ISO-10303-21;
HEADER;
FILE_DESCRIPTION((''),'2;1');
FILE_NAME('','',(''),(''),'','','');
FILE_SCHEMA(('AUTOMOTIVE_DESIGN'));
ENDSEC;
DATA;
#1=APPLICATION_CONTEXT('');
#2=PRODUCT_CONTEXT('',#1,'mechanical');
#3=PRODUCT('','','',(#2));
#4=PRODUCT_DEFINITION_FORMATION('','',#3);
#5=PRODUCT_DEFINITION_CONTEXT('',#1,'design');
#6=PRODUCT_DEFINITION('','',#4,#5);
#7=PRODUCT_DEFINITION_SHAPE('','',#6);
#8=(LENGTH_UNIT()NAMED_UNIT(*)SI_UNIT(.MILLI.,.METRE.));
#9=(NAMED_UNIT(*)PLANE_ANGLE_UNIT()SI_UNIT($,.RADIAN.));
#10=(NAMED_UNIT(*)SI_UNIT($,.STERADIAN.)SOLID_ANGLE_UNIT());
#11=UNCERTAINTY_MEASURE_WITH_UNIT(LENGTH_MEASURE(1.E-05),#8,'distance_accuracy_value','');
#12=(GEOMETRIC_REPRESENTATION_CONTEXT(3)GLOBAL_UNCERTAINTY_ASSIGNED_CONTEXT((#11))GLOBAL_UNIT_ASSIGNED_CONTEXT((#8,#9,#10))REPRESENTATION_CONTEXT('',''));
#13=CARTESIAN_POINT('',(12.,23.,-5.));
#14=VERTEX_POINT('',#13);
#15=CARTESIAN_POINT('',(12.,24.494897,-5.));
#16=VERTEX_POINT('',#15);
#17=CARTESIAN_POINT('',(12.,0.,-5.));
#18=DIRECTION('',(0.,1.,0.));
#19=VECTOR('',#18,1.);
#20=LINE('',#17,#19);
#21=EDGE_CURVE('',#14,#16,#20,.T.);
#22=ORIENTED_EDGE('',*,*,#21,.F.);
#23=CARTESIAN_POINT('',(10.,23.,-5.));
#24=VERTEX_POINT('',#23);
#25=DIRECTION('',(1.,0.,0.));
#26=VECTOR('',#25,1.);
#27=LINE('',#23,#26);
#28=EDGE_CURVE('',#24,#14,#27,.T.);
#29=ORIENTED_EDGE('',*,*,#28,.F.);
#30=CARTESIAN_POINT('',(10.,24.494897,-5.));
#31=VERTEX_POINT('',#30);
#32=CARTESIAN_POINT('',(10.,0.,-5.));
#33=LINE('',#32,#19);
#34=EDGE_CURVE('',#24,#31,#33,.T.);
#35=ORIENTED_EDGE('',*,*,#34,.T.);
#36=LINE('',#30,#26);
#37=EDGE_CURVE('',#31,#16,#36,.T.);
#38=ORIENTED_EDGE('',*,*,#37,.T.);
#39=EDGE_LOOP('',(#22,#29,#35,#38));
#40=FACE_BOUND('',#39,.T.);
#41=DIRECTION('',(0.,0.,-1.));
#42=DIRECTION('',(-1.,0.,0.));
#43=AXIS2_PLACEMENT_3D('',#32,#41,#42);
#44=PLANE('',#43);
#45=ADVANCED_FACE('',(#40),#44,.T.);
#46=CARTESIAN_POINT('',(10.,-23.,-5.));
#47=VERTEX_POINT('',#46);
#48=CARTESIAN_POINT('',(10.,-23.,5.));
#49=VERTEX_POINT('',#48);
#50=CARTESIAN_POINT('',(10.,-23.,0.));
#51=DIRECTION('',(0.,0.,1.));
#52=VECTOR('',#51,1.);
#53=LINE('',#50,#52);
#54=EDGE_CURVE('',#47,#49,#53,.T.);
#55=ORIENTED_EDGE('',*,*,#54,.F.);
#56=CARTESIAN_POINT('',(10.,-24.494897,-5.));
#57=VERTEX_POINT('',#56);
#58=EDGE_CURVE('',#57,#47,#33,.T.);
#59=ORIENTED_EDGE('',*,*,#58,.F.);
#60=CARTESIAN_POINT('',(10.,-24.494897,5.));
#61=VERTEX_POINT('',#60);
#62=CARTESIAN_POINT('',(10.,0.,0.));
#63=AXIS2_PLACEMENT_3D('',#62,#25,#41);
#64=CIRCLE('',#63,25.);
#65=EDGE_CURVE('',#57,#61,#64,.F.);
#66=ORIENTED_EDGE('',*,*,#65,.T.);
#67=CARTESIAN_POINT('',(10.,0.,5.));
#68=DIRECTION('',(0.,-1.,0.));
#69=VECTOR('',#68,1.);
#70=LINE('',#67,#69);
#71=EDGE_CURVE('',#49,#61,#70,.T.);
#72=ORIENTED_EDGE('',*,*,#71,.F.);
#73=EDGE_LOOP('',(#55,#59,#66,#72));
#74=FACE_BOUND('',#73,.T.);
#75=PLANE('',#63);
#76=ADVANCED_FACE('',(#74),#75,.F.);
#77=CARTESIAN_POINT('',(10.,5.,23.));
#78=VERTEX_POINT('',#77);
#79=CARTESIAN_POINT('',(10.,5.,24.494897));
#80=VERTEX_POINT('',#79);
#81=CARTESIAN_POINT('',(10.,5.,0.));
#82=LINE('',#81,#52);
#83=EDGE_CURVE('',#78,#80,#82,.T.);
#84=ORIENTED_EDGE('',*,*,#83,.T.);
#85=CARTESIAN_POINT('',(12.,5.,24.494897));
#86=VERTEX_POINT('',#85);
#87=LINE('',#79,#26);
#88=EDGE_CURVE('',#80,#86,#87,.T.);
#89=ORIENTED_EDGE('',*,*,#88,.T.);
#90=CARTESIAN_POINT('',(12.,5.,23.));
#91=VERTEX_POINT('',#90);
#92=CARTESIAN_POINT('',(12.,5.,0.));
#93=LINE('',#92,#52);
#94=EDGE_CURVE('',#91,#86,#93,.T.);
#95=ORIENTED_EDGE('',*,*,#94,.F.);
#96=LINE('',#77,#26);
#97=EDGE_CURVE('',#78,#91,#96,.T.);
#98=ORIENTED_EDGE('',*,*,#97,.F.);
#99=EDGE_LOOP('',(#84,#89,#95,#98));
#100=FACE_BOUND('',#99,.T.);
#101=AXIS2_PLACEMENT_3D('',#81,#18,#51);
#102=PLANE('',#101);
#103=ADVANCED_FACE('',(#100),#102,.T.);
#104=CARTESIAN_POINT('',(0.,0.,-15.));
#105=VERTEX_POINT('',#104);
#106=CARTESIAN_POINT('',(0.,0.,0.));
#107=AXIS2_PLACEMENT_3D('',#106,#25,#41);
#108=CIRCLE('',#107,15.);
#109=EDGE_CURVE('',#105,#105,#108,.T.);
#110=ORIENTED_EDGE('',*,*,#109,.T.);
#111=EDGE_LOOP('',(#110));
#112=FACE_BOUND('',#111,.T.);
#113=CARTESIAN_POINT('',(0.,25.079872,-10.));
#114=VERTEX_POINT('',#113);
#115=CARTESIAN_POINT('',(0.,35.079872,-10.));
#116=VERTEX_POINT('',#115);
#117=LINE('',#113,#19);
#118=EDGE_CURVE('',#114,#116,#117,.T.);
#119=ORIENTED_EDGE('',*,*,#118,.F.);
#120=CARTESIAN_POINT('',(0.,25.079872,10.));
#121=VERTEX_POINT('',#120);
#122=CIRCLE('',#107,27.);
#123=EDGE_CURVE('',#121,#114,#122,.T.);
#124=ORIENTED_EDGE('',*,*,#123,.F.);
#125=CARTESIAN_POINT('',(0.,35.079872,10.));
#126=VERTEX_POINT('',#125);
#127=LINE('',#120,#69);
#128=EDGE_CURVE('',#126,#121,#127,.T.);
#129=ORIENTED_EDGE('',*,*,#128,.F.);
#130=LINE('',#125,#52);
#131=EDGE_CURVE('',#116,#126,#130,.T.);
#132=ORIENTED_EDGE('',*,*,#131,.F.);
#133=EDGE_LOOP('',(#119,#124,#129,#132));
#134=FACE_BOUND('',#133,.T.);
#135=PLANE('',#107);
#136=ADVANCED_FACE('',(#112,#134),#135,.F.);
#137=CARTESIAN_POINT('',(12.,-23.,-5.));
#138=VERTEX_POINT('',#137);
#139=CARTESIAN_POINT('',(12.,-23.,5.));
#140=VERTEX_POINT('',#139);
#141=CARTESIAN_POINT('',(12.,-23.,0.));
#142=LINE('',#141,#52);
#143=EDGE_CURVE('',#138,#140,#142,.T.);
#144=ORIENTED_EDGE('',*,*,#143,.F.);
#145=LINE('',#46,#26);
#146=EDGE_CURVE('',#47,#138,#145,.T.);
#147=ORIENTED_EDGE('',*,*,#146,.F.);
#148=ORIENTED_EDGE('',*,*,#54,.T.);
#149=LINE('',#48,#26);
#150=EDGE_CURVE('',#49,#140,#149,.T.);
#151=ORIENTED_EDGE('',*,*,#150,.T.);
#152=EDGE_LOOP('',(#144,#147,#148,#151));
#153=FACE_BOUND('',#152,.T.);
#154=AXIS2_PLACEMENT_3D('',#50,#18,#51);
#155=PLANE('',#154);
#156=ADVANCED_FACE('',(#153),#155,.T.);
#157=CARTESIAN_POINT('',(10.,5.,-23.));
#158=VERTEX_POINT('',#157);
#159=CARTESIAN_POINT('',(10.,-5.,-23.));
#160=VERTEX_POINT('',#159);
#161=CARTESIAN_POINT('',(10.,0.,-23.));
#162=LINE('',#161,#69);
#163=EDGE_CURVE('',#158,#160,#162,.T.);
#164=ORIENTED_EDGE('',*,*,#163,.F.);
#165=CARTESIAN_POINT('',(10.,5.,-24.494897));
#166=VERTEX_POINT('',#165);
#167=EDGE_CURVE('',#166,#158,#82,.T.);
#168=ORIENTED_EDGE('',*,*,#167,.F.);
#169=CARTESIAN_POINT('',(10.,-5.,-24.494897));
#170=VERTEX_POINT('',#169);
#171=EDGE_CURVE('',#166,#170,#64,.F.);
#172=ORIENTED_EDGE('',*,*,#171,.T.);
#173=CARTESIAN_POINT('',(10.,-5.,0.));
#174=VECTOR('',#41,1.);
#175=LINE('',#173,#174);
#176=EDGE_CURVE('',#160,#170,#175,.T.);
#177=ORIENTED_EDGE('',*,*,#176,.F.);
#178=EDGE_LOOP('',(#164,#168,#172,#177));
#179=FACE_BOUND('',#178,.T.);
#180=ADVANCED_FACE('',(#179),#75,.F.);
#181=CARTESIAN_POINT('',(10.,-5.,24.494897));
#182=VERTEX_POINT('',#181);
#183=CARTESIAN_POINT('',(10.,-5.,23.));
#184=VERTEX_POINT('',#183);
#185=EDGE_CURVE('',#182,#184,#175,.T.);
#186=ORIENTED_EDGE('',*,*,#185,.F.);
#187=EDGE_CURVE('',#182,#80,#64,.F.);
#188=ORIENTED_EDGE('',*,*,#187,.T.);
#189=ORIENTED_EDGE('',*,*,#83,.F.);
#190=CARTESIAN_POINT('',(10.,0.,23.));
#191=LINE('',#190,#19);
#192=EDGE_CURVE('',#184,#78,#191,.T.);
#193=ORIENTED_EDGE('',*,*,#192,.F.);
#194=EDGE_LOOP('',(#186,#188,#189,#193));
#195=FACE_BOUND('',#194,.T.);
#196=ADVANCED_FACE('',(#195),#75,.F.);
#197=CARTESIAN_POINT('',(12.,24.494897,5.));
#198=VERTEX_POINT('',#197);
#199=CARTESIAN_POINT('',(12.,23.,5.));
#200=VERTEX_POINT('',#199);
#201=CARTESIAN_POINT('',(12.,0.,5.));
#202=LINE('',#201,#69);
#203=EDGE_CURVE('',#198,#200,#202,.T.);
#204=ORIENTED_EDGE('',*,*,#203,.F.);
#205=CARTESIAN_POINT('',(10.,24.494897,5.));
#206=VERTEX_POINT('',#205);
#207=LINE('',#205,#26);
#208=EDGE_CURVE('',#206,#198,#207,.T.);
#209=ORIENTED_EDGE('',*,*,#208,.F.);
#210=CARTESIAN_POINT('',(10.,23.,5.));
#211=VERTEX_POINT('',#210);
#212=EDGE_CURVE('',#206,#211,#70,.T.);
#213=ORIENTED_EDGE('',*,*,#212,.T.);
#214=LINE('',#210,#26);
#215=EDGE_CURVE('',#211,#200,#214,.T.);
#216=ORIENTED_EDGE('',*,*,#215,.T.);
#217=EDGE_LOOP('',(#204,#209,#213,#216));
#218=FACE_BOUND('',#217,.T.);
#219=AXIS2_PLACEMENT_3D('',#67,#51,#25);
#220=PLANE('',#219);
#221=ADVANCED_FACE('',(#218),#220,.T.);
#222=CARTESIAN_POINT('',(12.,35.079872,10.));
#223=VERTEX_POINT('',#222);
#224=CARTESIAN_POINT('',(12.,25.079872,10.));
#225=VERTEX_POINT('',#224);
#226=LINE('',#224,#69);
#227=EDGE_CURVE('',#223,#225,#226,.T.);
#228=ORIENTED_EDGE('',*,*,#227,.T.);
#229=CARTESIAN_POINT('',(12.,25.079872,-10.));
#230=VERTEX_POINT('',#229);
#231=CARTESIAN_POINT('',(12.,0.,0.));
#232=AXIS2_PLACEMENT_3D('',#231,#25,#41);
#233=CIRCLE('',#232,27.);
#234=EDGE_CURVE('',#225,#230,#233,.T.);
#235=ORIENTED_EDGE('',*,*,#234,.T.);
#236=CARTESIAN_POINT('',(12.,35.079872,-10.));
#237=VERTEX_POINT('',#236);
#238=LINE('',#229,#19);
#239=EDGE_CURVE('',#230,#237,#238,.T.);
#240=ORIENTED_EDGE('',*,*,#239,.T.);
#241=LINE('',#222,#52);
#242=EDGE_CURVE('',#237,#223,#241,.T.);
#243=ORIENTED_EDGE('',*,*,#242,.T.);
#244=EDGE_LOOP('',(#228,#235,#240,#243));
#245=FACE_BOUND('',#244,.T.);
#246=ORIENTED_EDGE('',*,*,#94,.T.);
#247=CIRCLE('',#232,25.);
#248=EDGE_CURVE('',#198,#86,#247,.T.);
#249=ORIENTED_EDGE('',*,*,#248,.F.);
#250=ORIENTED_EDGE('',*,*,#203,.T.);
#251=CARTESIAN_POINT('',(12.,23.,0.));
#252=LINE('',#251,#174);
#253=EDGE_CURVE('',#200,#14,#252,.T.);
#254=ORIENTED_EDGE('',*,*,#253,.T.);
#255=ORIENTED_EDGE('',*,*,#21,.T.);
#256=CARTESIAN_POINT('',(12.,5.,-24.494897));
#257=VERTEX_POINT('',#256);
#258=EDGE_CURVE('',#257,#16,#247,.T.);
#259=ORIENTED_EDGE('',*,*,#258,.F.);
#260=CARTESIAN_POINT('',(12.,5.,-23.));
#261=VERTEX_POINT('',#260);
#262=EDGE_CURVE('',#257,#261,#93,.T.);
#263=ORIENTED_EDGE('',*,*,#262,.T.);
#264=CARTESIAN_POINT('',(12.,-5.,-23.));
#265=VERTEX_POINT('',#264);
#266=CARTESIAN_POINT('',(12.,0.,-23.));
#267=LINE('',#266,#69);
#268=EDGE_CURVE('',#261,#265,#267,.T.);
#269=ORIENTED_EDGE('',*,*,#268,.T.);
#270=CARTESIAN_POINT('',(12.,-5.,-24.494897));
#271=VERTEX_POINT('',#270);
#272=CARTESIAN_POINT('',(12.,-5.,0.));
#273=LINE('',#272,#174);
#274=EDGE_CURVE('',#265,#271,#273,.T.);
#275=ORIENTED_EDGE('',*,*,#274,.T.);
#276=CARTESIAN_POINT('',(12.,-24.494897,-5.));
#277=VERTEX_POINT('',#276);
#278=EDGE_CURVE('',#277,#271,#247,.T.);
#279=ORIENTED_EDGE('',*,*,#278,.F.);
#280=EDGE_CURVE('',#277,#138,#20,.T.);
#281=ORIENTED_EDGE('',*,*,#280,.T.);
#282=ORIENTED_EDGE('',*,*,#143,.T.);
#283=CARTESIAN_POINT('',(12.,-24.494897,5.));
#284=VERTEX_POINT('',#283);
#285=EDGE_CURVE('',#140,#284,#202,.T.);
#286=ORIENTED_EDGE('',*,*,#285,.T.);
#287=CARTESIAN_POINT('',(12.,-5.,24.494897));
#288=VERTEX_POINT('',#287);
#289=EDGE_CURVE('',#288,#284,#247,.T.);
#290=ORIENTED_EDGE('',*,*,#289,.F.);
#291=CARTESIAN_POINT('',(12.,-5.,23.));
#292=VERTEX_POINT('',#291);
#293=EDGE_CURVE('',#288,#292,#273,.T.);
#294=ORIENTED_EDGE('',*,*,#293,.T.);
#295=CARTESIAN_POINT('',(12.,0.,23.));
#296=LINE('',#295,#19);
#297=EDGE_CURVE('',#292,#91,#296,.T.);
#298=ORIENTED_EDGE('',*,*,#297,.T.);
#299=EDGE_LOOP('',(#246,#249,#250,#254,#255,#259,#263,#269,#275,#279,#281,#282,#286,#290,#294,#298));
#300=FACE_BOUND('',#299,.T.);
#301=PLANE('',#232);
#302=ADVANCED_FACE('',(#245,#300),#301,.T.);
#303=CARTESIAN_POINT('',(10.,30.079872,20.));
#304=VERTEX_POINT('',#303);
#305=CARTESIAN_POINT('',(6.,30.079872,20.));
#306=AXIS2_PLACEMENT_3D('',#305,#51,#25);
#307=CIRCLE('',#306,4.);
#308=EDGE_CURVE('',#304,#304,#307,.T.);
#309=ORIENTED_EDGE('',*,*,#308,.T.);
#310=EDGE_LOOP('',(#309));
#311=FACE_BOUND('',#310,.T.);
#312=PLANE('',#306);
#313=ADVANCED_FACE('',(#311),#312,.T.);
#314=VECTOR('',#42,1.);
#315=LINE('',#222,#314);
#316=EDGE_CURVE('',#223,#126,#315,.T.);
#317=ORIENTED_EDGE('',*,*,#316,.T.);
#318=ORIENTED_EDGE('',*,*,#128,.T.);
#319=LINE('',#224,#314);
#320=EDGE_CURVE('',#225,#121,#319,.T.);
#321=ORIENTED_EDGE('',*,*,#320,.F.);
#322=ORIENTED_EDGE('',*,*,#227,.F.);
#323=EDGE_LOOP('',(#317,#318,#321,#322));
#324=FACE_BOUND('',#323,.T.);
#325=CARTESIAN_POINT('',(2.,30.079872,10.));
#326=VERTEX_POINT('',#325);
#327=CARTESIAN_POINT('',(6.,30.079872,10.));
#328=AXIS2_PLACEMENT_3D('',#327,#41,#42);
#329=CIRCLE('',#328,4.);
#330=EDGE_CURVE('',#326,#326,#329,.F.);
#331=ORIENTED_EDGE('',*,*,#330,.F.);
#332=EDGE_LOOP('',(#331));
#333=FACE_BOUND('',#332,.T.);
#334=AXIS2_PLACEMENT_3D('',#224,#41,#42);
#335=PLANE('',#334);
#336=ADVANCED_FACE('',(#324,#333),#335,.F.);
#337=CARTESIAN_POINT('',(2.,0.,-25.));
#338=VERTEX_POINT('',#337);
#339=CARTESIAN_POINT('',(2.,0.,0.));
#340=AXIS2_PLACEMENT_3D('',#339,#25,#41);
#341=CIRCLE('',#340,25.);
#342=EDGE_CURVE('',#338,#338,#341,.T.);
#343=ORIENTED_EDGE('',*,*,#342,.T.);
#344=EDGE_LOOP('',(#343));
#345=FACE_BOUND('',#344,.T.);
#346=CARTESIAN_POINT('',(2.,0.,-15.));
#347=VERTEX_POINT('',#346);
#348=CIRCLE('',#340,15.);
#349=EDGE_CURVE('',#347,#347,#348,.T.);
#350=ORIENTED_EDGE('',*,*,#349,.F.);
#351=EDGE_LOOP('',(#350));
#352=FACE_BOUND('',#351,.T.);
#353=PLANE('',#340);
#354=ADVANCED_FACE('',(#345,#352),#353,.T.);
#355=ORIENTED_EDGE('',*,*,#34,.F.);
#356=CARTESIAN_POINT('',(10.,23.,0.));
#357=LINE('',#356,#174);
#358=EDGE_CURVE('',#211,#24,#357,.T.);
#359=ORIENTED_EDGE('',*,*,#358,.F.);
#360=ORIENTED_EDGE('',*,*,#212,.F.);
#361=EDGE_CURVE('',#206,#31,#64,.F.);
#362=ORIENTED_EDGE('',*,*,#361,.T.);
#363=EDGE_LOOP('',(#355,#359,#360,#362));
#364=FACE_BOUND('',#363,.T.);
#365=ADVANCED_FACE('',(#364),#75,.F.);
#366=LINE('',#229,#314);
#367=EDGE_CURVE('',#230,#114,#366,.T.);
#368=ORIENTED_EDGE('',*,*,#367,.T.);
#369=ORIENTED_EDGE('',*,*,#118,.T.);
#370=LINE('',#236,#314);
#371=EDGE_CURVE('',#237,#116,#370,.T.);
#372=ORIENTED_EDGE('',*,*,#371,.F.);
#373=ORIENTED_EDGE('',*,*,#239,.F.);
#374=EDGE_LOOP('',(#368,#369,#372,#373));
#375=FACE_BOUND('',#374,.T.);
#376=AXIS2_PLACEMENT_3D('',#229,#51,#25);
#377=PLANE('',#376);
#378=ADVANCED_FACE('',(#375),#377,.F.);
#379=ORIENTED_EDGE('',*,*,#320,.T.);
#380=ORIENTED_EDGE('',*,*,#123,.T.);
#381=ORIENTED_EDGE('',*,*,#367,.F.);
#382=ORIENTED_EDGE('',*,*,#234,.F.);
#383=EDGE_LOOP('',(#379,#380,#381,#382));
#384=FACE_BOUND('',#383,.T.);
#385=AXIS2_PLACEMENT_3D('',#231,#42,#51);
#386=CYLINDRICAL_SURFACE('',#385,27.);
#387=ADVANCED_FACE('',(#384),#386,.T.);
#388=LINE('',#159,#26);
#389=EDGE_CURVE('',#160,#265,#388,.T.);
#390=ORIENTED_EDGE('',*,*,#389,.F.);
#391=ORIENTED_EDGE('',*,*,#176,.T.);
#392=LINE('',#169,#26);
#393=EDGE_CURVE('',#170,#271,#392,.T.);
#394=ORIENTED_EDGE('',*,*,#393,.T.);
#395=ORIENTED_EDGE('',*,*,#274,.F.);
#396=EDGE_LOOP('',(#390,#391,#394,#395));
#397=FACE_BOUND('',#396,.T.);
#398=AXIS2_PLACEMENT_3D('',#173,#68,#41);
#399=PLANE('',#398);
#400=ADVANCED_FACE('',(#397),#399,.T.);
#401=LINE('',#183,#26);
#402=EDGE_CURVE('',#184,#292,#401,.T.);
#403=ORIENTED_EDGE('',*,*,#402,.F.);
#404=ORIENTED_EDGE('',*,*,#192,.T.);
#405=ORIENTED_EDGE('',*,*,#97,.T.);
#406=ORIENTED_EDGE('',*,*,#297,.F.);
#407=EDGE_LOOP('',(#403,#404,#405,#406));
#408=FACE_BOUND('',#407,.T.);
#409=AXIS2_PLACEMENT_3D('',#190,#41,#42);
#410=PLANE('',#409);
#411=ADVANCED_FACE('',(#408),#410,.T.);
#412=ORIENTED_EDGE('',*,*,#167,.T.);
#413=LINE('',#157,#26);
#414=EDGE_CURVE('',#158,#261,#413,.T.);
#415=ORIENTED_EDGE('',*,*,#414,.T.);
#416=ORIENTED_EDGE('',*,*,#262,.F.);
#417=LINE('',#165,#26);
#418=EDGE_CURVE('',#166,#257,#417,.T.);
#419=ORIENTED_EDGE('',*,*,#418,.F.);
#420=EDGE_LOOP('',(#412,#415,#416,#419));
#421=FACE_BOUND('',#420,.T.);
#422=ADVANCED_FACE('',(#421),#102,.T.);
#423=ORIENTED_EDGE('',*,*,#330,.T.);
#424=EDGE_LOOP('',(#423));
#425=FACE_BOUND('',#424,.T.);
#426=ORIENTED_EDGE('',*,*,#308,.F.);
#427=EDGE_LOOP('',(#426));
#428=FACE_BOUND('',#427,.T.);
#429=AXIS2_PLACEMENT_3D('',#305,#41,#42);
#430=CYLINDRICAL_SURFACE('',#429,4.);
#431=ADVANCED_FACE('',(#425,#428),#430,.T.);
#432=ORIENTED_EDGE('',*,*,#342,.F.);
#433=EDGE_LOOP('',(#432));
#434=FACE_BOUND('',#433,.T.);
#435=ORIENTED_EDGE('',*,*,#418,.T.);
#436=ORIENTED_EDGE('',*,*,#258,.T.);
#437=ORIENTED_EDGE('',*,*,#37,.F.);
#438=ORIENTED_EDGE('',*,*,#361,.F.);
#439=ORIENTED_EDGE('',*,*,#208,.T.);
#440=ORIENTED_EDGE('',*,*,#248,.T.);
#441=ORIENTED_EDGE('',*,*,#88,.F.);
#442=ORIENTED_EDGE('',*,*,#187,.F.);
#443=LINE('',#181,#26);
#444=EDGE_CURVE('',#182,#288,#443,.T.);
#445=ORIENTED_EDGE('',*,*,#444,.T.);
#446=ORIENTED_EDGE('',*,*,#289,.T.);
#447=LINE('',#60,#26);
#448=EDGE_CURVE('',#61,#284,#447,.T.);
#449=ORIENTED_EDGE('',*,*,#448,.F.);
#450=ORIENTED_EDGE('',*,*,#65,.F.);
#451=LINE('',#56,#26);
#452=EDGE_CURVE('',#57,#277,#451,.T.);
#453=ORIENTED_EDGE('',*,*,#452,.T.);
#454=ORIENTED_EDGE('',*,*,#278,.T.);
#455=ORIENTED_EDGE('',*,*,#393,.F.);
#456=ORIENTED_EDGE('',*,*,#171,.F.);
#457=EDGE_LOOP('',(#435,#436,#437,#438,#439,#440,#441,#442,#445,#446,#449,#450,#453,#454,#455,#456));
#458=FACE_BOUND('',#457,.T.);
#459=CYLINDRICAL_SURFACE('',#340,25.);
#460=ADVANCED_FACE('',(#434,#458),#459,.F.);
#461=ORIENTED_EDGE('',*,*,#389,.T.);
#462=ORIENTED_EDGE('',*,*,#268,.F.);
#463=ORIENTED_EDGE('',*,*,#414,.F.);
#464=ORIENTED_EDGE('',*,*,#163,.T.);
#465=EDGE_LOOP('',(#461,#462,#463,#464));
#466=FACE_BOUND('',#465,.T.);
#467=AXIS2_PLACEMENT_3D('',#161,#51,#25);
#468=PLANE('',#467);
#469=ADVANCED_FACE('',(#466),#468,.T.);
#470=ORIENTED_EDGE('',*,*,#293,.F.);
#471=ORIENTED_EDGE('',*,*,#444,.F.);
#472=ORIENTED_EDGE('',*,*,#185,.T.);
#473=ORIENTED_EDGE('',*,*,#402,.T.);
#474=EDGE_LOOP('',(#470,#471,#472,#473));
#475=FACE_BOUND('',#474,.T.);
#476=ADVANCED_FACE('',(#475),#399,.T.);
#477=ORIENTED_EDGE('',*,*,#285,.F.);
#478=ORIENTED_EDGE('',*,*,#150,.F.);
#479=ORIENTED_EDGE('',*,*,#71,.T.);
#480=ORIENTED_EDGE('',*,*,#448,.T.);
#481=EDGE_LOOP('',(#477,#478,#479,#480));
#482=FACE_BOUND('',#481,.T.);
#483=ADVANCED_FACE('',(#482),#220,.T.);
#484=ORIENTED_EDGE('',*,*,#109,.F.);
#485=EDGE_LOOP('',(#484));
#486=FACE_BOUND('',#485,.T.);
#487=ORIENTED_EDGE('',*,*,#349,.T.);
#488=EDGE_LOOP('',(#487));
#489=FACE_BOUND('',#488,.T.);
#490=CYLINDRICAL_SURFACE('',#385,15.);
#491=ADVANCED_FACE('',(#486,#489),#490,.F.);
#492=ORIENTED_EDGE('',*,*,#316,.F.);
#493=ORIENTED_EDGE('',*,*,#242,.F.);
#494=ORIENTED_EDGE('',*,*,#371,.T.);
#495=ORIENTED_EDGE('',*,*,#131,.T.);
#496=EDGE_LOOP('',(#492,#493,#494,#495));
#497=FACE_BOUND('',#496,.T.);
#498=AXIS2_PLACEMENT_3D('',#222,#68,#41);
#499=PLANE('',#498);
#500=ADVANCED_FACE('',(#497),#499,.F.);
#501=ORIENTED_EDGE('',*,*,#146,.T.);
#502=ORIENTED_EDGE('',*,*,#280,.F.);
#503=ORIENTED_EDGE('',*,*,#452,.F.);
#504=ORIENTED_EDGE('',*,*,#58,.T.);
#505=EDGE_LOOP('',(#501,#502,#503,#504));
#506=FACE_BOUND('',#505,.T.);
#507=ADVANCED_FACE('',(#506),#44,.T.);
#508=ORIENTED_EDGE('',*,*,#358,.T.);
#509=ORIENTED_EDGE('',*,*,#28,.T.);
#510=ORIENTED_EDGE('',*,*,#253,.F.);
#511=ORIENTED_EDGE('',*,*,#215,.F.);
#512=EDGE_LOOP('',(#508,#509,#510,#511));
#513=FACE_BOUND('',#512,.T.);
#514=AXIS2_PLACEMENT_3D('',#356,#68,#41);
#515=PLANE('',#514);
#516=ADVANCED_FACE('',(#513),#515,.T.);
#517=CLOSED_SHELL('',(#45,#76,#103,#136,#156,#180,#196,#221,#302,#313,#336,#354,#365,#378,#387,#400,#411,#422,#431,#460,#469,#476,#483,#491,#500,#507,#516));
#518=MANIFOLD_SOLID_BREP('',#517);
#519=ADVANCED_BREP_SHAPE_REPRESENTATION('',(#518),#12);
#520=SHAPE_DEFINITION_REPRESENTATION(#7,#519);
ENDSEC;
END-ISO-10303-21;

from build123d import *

# Parameters (mm, degrees)
SKETCH1_R           = 15
BOSS_EXTRUDE1_DEPTH = 12
SKETCH2_R           = 25
CUT_EXTRUDE1_DEPTH  = 10
SKETCH3_R           = 4
BOSS_EXTRUDE2_DEPTH = 10
BOSS_EXTRUDE3_DEPTH = 2


with BuildPart() as part:
    # Sketch1 → Boss-Extrude1 (new body)
    with BuildSketch(Plane(origin=(0, 0, 0), x_dir=(0, 0, -1), z_dir=(1, 0, 0))):
        with BuildLine():
            Line((-10, 25.079872408), (-10, 35.079872408))
            Line((-10, 35.079872408), (10, 35.079872408))
            Line((10, 35.079872408), (10, 25.079872408))
            ThreePointArc((10, 25.079872408), (0, -27), (-10, 25.079872408))
        make_face()
        Circle(SKETCH1_R, mode=Mode.SUBTRACT)
    extrude(amount=BOSS_EXTRUDE1_DEPTH)

    # Sketch2 → Cut-Extrude1 (cut)
    with BuildSketch(Plane(origin=(12, 0, 0), x_dir=(0, 0, -1), z_dir=(1, 0, 0))):
        Circle(SKETCH2_R)
    extrude(amount=-CUT_EXTRUDE1_DEPTH, mode=Mode.SUBTRACT)

    # Sketch3 → Boss-Extrude2 (add)
    with BuildSketch(Plane.XY.offset(10)):
        with Locations(Location((6, 30.079872408, 0), (0, 0, 180))):
            Circle(SKETCH3_R)
    extrude(amount=BOSS_EXTRUDE2_DEPTH)

    # Sketch4 → Boss-Extrude3 (add)
    with BuildSketch(Plane(origin=(12, 0, 0), x_dir=(0, 0, -1), z_dir=(1, 0, 0))):
        with BuildLine():
            Line((-23, 5), (-24.494897428, 5))
            ThreePointArc((-24.494897428, 5), (-25, 0), (-24.494897428, -5))
            Line((-24.494897428, -5), (-23, -5))
            Line((-23, -5), (-23, 5))
        make_face()
        with BuildLine():
            ThreePointArc((5, 24.494897428), (0, 25), (-5, 24.494897428))
            Line((-5, 24.494897428), (-5, 23))
            Line((-5, 23), (5, 23))
            Line((5, 23), (5, 24.494897428))
        make_face()
        with BuildLine():
            ThreePointArc((25, 0), (24.873403825, 2.51272405), (24.494897428, 5))
            Line((24.494897428, 5), (23, 5))
            Line((23, 5), (23, -5))
            Line((23, -5), (24.494897428, -5))
            ThreePointArc((24.494897428, -5), (24.873403825, -2.51272405), (25, 0))
        make_face()
        with BuildLine():
            Line((-5, -23), (-5, -24.494897428))
            ThreePointArc((-5, -24.494897428), (0, -25), (5, -24.494897428))
            Line((5, -24.494897428), (5, -23))
            Line((5, -23), (-5, -23))
        make_face()
    extrude(amount=-BOSS_EXTRUDE3_DEPTH)


solid = part.part
